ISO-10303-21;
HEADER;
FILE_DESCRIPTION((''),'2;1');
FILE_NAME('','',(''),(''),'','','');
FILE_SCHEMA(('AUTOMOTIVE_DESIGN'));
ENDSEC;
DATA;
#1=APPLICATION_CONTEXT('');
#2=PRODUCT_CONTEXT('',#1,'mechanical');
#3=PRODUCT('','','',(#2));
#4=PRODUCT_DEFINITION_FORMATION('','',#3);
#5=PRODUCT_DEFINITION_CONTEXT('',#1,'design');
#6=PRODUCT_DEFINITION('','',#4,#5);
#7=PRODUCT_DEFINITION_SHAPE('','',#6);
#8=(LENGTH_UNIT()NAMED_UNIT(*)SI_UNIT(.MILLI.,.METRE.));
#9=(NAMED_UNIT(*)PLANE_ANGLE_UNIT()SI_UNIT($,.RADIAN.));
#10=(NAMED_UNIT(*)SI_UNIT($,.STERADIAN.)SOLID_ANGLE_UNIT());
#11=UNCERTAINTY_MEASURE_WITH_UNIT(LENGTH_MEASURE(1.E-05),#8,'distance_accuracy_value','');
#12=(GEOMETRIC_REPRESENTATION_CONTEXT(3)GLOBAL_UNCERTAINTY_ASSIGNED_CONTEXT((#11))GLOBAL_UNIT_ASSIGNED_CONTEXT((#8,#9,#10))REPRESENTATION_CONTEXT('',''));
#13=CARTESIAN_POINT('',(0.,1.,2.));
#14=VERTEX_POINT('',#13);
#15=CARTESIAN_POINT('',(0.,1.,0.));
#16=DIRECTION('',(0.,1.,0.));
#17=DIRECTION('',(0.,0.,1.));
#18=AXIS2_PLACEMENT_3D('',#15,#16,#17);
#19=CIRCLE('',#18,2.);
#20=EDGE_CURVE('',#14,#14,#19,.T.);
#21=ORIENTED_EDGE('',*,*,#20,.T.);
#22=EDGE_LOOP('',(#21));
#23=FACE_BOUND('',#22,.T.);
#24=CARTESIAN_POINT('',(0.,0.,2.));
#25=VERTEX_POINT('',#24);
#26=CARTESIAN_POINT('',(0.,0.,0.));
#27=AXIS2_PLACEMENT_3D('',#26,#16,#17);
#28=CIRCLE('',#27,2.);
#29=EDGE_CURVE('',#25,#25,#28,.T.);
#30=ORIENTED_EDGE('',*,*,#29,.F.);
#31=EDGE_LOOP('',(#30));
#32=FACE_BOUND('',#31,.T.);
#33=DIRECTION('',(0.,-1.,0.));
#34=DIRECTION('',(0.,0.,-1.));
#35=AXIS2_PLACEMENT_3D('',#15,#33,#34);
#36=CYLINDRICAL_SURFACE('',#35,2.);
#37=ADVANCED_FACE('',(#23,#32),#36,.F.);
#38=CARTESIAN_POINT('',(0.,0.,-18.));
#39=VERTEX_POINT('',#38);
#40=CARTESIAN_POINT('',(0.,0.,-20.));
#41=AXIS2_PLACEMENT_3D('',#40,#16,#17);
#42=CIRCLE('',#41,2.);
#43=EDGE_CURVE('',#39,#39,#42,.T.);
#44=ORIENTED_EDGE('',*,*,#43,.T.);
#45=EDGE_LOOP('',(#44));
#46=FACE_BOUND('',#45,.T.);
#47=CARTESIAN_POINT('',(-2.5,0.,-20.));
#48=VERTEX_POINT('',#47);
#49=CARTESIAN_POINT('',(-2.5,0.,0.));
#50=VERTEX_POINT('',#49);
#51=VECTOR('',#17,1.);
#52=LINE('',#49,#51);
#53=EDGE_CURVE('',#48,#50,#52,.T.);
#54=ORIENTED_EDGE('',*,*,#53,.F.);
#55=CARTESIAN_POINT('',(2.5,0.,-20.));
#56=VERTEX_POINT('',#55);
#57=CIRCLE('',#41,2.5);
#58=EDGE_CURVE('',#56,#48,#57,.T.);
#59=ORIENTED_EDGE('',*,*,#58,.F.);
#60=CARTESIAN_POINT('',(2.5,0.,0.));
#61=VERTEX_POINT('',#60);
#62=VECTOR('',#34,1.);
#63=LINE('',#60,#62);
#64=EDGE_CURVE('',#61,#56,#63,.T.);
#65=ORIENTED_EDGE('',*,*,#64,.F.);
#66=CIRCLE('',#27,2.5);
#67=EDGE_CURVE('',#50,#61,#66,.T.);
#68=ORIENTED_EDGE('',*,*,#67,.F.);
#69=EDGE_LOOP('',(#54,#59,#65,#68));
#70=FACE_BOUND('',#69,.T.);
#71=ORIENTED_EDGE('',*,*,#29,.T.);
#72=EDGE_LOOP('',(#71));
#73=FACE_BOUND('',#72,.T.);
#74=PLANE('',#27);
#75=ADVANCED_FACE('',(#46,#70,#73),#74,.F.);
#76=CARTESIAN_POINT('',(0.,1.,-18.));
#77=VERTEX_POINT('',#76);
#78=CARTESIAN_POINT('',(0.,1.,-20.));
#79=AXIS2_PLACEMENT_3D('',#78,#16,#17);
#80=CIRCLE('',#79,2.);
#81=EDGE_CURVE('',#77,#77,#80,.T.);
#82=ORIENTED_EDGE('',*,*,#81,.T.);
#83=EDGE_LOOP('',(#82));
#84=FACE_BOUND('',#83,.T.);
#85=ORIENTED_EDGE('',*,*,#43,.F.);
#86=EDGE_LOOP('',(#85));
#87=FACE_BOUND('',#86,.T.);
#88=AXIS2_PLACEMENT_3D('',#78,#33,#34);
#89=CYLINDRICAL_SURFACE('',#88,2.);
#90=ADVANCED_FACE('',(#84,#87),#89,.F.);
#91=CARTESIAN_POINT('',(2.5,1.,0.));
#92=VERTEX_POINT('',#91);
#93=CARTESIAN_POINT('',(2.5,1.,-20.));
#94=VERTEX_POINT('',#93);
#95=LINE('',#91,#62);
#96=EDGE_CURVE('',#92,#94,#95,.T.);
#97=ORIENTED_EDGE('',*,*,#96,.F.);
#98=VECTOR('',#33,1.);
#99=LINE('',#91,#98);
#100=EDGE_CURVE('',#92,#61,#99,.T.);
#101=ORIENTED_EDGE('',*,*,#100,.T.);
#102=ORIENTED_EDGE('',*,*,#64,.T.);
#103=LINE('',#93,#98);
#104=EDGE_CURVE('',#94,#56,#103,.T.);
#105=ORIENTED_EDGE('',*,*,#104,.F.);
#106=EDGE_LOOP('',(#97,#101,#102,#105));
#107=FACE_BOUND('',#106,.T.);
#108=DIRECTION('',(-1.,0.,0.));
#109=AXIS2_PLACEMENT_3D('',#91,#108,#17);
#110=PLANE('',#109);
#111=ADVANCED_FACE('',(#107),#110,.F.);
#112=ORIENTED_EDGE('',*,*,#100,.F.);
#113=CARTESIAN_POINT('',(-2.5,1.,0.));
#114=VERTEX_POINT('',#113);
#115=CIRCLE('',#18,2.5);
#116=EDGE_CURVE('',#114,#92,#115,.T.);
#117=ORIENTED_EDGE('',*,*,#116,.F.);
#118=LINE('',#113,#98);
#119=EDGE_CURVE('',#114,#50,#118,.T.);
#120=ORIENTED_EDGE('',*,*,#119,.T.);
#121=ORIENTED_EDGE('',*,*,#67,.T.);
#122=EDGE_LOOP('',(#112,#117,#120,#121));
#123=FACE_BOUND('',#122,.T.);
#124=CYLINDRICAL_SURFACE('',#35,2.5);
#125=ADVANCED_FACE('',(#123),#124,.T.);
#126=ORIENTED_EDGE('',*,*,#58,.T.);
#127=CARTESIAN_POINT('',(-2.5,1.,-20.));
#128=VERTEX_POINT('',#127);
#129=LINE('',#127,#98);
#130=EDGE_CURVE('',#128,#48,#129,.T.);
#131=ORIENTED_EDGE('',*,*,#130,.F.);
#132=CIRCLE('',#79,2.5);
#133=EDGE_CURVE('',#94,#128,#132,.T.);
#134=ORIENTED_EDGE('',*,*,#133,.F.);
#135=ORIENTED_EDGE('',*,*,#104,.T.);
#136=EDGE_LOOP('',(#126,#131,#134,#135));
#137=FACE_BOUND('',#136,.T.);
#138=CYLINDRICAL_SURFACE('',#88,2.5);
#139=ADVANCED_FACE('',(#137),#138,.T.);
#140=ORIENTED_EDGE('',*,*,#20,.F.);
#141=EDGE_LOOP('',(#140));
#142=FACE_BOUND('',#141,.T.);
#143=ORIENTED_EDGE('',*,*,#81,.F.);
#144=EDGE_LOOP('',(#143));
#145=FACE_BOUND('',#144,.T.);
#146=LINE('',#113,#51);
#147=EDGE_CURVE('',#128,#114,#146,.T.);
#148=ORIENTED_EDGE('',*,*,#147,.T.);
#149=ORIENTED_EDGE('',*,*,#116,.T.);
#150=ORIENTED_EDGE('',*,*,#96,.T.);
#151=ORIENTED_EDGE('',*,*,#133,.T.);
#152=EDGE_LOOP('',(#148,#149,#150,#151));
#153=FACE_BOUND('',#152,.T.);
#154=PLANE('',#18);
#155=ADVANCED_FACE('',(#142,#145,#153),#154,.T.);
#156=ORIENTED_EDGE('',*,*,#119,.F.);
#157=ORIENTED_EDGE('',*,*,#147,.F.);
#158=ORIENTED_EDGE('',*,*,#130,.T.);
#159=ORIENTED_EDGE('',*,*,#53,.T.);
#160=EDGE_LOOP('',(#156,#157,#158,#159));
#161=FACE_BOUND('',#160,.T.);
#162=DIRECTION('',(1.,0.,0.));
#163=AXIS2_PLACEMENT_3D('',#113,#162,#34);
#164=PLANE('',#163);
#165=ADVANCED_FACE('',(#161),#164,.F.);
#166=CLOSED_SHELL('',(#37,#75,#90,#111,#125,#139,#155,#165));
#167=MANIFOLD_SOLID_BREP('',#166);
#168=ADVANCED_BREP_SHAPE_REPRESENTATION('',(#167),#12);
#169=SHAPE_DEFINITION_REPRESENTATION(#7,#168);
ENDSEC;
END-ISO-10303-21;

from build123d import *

# Parameters (mm, degrees)
SKETCH1_R           = 2
BOSS_EXTRUDE1_DEPTH = 1


with BuildPart() as part:
    # Sketch1 → Boss-Extrude1 (new body)
    with BuildSketch(Plane(origin=(0, 0, 0), x_dir=(1, 0, 0), z_dir=(0, 1, 0))):
        with BuildLine():
            Line((-2.5, 0), (-2.5, 20))
            ThreePointArc((-2.5, 20), (0, 22.5), (2.5, 20))
            Line((2.5, 20), (2.5, 0))
            ThreePointArc((2.5, 0), (0, -2.5), (-2.5, 0))
        make_face()
        Circle(SKETCH1_R, mode=Mode.SUBTRACT)
        with Locations((0, 20)):
            Circle(SKETCH1_R, mode=Mode.SUBTRACT)
    extrude(amount=BOSS_EXTRUDE1_DEPTH)


solid = part.part
